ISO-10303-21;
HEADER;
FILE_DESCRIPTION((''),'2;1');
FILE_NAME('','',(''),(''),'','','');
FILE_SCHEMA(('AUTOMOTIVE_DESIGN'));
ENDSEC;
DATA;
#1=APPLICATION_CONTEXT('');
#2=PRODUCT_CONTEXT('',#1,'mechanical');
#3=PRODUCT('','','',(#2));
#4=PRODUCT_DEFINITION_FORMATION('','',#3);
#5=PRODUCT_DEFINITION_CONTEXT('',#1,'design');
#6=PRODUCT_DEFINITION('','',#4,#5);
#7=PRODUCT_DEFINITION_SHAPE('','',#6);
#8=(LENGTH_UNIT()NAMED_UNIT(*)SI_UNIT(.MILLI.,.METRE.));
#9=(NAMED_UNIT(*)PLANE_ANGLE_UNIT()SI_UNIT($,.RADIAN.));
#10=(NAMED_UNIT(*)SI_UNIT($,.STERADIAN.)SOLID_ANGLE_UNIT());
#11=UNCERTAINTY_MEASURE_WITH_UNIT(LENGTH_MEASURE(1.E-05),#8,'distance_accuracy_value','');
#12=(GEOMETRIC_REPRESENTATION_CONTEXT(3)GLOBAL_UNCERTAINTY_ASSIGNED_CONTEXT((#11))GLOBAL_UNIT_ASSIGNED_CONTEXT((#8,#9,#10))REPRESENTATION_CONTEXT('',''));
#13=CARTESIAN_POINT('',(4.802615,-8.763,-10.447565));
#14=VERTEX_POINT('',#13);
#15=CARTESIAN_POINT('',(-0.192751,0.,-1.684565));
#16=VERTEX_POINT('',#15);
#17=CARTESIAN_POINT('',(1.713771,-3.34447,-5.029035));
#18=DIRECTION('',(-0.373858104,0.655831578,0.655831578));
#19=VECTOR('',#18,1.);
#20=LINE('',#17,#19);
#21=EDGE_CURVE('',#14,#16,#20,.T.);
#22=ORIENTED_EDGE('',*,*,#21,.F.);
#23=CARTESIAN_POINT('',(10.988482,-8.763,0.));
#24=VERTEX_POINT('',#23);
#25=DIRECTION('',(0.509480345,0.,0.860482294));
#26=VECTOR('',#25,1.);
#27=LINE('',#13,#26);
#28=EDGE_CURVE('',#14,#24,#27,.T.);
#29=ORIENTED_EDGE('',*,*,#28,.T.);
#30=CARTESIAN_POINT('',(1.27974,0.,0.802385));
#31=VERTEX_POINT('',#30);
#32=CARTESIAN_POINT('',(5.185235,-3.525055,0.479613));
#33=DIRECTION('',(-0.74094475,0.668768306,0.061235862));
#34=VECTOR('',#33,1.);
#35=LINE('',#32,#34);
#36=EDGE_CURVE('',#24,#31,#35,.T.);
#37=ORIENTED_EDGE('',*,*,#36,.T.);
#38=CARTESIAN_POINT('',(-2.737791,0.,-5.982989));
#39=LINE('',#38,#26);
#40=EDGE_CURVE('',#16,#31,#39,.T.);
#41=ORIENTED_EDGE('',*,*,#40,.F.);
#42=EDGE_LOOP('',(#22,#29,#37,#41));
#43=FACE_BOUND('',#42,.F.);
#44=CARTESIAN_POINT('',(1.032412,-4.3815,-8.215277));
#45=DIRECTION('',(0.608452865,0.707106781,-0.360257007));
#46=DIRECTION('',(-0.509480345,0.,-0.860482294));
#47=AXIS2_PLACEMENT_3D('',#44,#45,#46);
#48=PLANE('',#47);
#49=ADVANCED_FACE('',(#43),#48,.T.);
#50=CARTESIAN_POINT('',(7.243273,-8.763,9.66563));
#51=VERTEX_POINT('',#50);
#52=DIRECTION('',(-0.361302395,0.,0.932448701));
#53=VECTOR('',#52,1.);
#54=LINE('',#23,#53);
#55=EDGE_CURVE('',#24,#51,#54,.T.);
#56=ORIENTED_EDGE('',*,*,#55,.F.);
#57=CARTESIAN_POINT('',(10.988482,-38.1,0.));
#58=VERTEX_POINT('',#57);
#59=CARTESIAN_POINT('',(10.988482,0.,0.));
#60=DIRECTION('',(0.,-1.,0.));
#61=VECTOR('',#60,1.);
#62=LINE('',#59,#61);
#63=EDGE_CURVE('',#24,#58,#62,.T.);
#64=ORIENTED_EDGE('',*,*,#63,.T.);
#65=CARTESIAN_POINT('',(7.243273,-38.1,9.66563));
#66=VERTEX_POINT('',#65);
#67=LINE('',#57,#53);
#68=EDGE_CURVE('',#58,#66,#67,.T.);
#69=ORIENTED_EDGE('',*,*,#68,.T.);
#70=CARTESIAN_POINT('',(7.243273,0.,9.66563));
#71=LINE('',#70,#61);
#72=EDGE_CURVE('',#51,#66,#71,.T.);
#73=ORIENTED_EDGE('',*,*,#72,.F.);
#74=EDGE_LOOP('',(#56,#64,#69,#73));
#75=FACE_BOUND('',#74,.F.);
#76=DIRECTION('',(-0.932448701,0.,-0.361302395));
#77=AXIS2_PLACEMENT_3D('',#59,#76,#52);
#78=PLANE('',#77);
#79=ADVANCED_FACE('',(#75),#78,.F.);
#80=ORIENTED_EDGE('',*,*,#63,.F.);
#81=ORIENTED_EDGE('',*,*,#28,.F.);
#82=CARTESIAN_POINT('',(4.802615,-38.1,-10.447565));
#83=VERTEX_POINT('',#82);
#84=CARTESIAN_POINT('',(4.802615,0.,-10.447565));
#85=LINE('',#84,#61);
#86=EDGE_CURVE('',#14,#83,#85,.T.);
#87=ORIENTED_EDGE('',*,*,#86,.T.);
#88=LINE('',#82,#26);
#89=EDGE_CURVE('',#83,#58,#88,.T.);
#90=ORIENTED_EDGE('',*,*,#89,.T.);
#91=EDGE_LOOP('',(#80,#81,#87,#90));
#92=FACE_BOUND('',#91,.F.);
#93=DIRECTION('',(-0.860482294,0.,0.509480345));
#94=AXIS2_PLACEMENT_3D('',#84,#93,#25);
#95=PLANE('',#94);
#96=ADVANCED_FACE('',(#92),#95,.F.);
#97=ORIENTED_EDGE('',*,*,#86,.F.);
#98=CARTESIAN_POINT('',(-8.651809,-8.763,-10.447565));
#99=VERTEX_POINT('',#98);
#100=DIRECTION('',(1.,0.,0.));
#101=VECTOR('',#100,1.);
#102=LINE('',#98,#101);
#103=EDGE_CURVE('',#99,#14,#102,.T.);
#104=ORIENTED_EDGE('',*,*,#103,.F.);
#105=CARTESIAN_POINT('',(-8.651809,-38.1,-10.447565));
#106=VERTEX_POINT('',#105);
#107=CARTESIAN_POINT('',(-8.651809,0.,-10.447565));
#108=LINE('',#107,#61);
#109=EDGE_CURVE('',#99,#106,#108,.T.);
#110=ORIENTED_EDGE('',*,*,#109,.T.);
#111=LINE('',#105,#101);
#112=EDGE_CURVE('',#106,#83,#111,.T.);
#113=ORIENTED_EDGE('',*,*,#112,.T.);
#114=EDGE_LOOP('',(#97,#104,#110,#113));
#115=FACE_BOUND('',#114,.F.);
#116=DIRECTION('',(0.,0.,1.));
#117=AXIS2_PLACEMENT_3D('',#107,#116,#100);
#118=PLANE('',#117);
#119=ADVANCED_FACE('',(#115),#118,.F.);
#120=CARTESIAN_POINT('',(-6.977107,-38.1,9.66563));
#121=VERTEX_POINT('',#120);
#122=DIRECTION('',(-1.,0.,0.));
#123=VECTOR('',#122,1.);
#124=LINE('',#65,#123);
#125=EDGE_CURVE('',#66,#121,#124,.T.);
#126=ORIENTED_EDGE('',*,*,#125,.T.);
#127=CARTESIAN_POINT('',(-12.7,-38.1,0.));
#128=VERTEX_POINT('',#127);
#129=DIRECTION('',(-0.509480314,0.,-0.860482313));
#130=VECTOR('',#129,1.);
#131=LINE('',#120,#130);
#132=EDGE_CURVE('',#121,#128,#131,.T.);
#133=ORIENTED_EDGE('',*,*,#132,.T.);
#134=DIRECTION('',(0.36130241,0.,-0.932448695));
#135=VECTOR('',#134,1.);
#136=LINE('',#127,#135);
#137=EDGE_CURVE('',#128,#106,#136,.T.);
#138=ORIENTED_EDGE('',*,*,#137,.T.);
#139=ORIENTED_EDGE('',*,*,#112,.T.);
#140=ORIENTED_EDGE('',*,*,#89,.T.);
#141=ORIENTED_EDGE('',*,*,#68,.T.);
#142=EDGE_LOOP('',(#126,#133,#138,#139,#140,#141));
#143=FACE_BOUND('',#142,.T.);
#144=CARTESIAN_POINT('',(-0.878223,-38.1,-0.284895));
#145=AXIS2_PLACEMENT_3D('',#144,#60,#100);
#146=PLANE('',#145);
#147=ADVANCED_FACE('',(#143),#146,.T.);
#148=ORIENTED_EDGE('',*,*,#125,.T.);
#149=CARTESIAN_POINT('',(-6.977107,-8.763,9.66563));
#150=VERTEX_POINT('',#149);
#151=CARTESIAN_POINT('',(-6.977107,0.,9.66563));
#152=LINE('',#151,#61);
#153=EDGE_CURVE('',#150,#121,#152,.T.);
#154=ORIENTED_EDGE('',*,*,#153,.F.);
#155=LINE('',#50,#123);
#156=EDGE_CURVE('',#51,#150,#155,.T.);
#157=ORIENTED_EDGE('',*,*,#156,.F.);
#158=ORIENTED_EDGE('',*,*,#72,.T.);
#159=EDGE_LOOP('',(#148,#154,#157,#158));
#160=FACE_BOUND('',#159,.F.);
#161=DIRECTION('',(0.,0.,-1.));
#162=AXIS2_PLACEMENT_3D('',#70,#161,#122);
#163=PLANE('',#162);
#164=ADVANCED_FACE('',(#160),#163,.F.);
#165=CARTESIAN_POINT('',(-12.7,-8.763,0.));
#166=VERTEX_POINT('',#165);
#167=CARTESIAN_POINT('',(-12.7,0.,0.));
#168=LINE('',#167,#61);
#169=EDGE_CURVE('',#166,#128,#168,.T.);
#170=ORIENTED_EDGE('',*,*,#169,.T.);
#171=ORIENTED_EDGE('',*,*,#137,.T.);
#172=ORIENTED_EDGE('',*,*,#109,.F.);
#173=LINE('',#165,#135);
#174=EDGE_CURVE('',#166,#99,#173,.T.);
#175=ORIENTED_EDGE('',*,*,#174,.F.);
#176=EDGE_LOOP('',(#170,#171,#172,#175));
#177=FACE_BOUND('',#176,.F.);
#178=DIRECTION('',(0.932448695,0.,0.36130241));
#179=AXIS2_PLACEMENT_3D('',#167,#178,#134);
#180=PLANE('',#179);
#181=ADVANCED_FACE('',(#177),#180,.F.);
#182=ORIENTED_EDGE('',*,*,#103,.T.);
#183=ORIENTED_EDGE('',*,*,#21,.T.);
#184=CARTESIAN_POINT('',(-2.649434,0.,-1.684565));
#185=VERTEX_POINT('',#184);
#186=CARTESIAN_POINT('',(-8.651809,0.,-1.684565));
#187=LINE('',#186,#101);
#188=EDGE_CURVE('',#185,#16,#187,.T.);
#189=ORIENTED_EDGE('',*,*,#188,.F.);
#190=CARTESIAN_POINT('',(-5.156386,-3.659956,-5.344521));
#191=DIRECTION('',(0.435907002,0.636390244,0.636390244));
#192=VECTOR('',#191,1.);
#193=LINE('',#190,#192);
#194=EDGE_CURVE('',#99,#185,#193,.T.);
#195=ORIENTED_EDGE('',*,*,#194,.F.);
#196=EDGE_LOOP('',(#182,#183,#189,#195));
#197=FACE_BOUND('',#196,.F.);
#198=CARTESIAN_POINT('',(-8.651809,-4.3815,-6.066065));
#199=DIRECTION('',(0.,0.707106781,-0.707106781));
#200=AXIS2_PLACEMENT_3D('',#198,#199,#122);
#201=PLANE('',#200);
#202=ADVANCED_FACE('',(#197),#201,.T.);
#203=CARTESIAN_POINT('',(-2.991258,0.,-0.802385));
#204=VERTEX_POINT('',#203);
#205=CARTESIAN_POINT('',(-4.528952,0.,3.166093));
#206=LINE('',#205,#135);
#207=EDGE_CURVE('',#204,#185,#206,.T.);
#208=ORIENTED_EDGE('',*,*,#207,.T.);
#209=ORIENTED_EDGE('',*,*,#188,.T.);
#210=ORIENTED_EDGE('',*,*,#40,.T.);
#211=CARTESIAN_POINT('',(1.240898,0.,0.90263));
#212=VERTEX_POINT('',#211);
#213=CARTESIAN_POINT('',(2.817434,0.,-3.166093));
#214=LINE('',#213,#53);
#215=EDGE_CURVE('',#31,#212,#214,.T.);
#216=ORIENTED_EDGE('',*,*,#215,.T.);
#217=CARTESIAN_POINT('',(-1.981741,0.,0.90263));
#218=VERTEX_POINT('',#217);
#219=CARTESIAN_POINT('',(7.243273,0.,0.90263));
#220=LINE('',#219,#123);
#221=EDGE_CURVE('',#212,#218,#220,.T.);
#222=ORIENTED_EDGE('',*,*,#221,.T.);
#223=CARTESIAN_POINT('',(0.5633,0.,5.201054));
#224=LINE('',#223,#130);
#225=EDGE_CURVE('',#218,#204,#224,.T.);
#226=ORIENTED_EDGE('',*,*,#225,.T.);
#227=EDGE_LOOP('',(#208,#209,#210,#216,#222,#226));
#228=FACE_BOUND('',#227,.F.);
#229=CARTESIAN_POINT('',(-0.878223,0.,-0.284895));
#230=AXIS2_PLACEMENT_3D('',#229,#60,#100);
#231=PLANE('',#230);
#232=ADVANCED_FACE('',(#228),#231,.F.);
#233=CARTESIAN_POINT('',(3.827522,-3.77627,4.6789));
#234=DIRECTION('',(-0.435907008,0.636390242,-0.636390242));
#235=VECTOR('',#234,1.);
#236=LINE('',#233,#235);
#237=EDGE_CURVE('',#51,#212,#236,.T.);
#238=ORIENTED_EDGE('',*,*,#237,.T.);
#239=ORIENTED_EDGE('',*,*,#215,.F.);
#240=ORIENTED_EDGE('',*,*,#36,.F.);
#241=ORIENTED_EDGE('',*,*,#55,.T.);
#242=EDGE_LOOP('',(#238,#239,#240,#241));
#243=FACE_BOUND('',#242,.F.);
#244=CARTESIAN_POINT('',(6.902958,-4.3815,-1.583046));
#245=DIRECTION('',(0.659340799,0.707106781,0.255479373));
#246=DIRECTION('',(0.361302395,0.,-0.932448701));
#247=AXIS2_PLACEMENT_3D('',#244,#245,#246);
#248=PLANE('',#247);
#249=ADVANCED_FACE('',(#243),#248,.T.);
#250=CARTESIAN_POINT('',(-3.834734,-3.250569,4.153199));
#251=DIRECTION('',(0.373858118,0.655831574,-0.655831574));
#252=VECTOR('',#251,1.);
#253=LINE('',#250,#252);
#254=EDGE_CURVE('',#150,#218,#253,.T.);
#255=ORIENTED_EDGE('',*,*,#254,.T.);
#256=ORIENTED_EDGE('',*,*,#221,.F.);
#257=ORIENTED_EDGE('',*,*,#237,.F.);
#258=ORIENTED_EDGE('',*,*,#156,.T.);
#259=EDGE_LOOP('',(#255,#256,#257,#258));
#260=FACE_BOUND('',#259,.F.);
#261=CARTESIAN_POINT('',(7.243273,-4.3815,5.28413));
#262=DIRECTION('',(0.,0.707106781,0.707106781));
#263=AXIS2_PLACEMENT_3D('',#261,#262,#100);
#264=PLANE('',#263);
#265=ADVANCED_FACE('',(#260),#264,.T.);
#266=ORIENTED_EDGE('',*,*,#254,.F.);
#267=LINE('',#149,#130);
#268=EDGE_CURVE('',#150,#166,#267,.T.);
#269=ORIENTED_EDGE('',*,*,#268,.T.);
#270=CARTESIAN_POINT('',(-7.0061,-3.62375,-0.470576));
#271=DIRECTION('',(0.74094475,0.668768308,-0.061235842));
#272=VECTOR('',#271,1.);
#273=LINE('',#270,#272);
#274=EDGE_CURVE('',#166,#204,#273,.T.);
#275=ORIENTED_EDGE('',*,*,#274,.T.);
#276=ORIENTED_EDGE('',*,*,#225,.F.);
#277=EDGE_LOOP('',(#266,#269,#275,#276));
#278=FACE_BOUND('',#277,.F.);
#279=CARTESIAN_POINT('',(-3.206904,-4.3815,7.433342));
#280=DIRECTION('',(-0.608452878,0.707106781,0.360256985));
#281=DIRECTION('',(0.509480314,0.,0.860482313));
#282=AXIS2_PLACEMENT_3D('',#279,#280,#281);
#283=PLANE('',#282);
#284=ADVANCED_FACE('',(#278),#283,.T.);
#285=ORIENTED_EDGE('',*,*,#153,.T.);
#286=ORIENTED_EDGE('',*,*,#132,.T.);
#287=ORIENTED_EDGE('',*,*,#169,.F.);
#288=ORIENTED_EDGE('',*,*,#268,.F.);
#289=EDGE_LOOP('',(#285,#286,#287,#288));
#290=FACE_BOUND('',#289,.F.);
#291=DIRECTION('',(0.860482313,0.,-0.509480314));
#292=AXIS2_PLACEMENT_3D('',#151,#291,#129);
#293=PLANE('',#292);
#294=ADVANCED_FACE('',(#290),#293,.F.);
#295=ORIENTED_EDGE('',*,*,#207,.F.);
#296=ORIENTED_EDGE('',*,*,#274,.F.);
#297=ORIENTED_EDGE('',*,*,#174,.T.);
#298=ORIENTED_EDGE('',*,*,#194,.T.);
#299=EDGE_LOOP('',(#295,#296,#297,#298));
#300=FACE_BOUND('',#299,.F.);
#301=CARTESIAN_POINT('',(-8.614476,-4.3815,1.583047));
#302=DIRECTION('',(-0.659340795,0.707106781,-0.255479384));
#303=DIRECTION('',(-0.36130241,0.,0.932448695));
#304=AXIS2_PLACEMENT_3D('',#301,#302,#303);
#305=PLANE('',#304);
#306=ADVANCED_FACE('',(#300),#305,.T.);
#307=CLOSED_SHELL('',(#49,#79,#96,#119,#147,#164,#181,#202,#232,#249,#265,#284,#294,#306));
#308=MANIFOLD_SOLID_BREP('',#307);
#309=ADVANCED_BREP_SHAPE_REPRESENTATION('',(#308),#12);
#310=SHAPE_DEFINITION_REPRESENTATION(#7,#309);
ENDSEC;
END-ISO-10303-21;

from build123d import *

# Parameters (mm, degrees)
F1_DEPTH = 38.1
F2_SIZE  = 8.763


with BuildPart() as f1:
    # F0 (on Front) → F1 (new body)
    with BuildSketch(Plane.XZ):
        Polygon((-6.977107, 9.66563), (-12.7, 0), (-8.651809, -10.447565), (4.802615, -10.447565), (10.988482, 0), (7.243273, 9.66563), align=None)
    extrude(amount=F1_DEPTH)

    # F2
    f2_edges = [f1.edges().sort_by_distance(p)[0] for p in [
        (0.133083, 0, 9.66563),
        (-9.838553, 0, 4.832815),
        (-10.675905, 0, -5.223783),
        (-1.924597, 0, -10.447565),
        (7.895549, 0, -5.223783),
        (9.115878, 0, 4.832815),
    ]]
    chamfer(f2_edges, length=F2_SIZE)


solid = f1.part
